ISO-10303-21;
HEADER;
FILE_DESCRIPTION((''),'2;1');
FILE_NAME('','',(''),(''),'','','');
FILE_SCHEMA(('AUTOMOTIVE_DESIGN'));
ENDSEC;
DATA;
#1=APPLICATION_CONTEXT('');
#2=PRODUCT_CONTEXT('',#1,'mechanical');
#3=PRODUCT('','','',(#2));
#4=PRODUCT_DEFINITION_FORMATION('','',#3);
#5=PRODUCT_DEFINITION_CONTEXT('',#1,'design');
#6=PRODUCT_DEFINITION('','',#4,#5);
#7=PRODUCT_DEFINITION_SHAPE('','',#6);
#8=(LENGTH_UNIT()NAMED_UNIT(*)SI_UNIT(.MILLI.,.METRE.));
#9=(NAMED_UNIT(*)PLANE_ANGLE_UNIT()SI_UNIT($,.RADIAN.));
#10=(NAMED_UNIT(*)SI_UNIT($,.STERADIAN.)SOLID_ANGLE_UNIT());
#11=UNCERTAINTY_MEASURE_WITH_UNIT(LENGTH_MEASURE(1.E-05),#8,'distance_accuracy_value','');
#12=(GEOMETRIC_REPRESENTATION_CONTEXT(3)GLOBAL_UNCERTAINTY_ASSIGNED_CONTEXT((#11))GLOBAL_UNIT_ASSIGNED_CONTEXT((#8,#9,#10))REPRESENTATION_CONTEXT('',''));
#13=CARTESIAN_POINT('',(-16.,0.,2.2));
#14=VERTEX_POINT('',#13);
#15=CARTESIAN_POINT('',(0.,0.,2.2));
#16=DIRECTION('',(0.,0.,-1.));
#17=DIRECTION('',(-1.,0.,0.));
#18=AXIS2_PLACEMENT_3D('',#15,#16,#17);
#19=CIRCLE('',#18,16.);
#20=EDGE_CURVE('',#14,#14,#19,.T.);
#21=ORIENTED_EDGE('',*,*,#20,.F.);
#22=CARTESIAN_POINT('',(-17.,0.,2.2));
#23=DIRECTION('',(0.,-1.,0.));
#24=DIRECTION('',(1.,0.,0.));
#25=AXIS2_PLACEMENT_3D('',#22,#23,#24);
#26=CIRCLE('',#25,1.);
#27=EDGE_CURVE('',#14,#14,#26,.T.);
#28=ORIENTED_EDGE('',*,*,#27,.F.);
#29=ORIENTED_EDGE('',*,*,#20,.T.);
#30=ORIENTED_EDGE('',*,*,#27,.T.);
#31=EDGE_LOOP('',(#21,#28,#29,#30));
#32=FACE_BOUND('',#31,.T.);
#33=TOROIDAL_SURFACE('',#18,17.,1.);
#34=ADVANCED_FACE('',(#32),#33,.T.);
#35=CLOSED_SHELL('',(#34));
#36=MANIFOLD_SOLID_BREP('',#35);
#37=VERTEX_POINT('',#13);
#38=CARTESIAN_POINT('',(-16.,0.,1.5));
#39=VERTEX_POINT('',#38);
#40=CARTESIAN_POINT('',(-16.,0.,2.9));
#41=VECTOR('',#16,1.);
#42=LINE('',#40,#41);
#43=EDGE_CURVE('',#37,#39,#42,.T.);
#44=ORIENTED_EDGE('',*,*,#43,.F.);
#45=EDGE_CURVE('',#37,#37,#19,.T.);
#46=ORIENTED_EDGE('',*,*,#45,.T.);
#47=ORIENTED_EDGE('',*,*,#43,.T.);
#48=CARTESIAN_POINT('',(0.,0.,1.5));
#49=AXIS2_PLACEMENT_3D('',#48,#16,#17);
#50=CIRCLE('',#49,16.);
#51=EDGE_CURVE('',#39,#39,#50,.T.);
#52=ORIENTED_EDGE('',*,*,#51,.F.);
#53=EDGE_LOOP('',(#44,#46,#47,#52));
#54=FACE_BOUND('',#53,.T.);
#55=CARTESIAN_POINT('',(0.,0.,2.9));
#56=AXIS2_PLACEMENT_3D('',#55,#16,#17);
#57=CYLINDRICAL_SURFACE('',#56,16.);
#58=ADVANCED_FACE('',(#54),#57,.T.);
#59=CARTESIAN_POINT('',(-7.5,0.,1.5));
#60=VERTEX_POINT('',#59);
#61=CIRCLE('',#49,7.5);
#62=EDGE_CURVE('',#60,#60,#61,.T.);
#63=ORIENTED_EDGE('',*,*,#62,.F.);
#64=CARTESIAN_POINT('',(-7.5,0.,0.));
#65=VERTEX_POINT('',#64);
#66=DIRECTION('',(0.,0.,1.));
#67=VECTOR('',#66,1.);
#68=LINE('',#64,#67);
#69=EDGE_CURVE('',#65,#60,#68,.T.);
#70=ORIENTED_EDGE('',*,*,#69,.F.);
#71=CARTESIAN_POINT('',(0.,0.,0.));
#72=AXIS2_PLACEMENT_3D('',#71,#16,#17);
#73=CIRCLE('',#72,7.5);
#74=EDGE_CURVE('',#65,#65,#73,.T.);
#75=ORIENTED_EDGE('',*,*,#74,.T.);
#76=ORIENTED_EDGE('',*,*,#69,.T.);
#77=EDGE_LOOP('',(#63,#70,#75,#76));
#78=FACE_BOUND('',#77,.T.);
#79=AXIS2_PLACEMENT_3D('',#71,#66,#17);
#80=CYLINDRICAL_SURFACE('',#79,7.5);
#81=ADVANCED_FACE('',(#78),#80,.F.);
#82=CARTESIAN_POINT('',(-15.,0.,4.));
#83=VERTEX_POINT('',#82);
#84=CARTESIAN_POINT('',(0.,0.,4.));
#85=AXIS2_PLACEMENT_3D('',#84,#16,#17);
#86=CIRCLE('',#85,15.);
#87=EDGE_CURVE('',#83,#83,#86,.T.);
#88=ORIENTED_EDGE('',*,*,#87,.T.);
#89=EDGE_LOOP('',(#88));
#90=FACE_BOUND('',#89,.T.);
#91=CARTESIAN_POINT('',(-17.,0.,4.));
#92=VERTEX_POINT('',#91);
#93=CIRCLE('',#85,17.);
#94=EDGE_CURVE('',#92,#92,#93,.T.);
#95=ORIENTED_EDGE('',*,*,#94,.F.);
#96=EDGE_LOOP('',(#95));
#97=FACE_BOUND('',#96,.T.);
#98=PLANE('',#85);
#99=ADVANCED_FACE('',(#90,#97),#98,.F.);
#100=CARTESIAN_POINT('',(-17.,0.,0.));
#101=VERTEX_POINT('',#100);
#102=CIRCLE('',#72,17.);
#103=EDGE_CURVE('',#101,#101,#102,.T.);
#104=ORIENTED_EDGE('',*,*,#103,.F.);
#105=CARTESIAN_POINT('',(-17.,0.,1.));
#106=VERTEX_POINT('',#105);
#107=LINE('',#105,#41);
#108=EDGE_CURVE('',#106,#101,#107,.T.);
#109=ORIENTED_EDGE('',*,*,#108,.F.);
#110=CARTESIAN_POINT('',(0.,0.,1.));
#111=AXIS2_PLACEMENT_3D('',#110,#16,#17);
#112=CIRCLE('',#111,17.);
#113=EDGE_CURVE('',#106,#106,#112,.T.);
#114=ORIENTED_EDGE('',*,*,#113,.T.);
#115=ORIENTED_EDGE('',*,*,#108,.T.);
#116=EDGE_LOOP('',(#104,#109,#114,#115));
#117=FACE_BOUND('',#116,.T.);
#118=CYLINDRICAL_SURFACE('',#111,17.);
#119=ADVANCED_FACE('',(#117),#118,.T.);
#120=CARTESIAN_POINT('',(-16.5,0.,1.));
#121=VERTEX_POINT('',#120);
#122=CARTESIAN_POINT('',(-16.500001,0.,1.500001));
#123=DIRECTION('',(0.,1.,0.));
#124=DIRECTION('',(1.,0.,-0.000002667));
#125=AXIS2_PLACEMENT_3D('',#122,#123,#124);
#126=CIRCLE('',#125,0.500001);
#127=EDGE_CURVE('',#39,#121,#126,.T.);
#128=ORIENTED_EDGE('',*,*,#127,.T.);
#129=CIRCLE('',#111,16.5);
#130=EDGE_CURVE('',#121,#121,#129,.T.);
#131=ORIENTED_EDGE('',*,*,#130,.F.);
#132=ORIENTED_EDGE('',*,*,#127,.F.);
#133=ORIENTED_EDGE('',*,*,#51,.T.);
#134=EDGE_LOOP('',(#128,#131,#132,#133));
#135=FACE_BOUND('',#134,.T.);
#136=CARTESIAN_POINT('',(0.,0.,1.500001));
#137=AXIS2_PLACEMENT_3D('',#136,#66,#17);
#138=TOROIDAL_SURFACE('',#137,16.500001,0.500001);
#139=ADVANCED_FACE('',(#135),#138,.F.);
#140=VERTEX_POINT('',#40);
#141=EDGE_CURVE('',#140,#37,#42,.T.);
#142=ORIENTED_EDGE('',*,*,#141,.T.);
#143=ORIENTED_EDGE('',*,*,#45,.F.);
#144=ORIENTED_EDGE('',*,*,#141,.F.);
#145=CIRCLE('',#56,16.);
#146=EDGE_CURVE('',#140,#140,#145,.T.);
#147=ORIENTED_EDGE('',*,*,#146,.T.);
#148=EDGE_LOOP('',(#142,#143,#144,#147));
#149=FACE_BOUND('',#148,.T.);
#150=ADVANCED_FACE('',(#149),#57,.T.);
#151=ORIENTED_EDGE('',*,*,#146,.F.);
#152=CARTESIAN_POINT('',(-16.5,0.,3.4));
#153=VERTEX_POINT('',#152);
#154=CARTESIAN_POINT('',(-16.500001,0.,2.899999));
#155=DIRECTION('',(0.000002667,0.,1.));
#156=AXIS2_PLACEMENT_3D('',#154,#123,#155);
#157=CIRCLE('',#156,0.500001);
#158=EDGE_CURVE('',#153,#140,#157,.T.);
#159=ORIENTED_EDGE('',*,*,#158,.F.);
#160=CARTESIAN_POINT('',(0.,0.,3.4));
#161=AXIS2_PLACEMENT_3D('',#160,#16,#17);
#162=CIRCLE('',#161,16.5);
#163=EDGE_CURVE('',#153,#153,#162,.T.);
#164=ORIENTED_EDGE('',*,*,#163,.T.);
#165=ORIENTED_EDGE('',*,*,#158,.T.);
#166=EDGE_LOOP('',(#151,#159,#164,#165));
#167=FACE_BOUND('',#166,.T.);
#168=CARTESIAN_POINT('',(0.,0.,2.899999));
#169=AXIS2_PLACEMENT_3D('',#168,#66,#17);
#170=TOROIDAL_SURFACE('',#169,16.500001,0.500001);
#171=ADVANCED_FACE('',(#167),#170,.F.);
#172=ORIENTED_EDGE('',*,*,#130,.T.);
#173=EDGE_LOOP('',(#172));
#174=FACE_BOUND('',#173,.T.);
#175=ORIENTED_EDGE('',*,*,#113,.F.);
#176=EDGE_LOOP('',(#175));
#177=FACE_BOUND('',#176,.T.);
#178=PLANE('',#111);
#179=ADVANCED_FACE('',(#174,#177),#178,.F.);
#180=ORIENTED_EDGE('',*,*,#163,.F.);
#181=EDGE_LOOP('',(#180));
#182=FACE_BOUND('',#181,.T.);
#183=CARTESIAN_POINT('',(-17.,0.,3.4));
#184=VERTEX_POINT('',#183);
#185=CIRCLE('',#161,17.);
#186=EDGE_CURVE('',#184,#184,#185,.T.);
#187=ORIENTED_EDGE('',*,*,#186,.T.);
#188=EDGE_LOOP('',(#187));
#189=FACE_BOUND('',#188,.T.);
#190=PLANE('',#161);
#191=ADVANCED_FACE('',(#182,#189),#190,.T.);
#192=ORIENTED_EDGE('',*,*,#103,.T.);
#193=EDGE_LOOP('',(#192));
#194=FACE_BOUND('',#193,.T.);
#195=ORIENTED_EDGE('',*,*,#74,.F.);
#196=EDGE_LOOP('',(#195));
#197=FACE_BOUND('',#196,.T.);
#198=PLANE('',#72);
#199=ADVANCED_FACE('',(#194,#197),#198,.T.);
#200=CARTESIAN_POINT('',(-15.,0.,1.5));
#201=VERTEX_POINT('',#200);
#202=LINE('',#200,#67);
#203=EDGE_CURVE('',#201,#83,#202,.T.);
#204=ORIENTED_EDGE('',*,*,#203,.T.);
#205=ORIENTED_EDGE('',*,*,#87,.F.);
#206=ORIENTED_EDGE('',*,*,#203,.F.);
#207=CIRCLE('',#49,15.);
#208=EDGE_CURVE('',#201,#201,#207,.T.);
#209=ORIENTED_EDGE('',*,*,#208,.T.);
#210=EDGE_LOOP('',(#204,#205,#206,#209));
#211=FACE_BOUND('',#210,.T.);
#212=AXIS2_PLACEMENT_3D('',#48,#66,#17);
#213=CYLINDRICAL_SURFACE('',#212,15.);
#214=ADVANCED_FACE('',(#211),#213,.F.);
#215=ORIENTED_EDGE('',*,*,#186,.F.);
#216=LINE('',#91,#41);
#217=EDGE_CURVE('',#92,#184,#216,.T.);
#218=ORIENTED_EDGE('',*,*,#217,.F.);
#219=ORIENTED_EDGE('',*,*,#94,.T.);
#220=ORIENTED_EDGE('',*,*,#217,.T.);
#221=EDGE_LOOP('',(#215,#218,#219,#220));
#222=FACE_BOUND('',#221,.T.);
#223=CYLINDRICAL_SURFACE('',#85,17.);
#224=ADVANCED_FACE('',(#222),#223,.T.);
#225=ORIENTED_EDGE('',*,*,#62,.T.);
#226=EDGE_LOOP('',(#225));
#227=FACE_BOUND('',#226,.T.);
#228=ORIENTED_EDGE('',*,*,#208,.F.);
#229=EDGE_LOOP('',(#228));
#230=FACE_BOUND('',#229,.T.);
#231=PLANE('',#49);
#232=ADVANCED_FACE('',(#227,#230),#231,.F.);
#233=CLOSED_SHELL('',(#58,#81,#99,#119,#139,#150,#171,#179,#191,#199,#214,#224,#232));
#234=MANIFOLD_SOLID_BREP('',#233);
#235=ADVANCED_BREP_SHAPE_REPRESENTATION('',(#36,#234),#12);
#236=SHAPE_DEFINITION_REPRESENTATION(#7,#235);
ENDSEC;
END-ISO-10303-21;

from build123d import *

# Parameters (mm, degrees)
F0_R = 1


with BuildPart() as f1:
    # F0 (on Front) → F1 (revolve)
    with BuildSketch(Plane.XZ):
        with BuildLine():
            Line((-15, 4), (-17, 4))
            Line((-17, 4), (-17, 3.4))
            Line((-17, 3.4), (-16.5, 3.4))
            ThreePointArc((-16.5, 3.4), (-16.146447, 3.253553), (-16, 2.9))
            Line((-16, 2.9), (-16, 2.2))
            Line((-16, 2.2), (-16, 1.5))
            ThreePointArc((-16, 1.5), (-16.146447, 1.146447), (-16.5, 1))
            Line((-16.5, 1), (-17, 1))
            Line((-17, 1), (-17, 0))
            Line((-17, 0), (-15, 0))
            Line((-15, 0), (-7.5, 0))
            Line((-7.5, 0), (-7.5, 1.5))
            Line((-7.5, 1.5), (-15, 1.5))
            Line((-15, 1.5), (-15, 4))
        make_face()
        with Locations((-17, 2.2)):
            Circle(F0_R)
    revolve(axis=Axis((0, 0, 0.070755), (0, 0, -1)))


solid = f1.part
